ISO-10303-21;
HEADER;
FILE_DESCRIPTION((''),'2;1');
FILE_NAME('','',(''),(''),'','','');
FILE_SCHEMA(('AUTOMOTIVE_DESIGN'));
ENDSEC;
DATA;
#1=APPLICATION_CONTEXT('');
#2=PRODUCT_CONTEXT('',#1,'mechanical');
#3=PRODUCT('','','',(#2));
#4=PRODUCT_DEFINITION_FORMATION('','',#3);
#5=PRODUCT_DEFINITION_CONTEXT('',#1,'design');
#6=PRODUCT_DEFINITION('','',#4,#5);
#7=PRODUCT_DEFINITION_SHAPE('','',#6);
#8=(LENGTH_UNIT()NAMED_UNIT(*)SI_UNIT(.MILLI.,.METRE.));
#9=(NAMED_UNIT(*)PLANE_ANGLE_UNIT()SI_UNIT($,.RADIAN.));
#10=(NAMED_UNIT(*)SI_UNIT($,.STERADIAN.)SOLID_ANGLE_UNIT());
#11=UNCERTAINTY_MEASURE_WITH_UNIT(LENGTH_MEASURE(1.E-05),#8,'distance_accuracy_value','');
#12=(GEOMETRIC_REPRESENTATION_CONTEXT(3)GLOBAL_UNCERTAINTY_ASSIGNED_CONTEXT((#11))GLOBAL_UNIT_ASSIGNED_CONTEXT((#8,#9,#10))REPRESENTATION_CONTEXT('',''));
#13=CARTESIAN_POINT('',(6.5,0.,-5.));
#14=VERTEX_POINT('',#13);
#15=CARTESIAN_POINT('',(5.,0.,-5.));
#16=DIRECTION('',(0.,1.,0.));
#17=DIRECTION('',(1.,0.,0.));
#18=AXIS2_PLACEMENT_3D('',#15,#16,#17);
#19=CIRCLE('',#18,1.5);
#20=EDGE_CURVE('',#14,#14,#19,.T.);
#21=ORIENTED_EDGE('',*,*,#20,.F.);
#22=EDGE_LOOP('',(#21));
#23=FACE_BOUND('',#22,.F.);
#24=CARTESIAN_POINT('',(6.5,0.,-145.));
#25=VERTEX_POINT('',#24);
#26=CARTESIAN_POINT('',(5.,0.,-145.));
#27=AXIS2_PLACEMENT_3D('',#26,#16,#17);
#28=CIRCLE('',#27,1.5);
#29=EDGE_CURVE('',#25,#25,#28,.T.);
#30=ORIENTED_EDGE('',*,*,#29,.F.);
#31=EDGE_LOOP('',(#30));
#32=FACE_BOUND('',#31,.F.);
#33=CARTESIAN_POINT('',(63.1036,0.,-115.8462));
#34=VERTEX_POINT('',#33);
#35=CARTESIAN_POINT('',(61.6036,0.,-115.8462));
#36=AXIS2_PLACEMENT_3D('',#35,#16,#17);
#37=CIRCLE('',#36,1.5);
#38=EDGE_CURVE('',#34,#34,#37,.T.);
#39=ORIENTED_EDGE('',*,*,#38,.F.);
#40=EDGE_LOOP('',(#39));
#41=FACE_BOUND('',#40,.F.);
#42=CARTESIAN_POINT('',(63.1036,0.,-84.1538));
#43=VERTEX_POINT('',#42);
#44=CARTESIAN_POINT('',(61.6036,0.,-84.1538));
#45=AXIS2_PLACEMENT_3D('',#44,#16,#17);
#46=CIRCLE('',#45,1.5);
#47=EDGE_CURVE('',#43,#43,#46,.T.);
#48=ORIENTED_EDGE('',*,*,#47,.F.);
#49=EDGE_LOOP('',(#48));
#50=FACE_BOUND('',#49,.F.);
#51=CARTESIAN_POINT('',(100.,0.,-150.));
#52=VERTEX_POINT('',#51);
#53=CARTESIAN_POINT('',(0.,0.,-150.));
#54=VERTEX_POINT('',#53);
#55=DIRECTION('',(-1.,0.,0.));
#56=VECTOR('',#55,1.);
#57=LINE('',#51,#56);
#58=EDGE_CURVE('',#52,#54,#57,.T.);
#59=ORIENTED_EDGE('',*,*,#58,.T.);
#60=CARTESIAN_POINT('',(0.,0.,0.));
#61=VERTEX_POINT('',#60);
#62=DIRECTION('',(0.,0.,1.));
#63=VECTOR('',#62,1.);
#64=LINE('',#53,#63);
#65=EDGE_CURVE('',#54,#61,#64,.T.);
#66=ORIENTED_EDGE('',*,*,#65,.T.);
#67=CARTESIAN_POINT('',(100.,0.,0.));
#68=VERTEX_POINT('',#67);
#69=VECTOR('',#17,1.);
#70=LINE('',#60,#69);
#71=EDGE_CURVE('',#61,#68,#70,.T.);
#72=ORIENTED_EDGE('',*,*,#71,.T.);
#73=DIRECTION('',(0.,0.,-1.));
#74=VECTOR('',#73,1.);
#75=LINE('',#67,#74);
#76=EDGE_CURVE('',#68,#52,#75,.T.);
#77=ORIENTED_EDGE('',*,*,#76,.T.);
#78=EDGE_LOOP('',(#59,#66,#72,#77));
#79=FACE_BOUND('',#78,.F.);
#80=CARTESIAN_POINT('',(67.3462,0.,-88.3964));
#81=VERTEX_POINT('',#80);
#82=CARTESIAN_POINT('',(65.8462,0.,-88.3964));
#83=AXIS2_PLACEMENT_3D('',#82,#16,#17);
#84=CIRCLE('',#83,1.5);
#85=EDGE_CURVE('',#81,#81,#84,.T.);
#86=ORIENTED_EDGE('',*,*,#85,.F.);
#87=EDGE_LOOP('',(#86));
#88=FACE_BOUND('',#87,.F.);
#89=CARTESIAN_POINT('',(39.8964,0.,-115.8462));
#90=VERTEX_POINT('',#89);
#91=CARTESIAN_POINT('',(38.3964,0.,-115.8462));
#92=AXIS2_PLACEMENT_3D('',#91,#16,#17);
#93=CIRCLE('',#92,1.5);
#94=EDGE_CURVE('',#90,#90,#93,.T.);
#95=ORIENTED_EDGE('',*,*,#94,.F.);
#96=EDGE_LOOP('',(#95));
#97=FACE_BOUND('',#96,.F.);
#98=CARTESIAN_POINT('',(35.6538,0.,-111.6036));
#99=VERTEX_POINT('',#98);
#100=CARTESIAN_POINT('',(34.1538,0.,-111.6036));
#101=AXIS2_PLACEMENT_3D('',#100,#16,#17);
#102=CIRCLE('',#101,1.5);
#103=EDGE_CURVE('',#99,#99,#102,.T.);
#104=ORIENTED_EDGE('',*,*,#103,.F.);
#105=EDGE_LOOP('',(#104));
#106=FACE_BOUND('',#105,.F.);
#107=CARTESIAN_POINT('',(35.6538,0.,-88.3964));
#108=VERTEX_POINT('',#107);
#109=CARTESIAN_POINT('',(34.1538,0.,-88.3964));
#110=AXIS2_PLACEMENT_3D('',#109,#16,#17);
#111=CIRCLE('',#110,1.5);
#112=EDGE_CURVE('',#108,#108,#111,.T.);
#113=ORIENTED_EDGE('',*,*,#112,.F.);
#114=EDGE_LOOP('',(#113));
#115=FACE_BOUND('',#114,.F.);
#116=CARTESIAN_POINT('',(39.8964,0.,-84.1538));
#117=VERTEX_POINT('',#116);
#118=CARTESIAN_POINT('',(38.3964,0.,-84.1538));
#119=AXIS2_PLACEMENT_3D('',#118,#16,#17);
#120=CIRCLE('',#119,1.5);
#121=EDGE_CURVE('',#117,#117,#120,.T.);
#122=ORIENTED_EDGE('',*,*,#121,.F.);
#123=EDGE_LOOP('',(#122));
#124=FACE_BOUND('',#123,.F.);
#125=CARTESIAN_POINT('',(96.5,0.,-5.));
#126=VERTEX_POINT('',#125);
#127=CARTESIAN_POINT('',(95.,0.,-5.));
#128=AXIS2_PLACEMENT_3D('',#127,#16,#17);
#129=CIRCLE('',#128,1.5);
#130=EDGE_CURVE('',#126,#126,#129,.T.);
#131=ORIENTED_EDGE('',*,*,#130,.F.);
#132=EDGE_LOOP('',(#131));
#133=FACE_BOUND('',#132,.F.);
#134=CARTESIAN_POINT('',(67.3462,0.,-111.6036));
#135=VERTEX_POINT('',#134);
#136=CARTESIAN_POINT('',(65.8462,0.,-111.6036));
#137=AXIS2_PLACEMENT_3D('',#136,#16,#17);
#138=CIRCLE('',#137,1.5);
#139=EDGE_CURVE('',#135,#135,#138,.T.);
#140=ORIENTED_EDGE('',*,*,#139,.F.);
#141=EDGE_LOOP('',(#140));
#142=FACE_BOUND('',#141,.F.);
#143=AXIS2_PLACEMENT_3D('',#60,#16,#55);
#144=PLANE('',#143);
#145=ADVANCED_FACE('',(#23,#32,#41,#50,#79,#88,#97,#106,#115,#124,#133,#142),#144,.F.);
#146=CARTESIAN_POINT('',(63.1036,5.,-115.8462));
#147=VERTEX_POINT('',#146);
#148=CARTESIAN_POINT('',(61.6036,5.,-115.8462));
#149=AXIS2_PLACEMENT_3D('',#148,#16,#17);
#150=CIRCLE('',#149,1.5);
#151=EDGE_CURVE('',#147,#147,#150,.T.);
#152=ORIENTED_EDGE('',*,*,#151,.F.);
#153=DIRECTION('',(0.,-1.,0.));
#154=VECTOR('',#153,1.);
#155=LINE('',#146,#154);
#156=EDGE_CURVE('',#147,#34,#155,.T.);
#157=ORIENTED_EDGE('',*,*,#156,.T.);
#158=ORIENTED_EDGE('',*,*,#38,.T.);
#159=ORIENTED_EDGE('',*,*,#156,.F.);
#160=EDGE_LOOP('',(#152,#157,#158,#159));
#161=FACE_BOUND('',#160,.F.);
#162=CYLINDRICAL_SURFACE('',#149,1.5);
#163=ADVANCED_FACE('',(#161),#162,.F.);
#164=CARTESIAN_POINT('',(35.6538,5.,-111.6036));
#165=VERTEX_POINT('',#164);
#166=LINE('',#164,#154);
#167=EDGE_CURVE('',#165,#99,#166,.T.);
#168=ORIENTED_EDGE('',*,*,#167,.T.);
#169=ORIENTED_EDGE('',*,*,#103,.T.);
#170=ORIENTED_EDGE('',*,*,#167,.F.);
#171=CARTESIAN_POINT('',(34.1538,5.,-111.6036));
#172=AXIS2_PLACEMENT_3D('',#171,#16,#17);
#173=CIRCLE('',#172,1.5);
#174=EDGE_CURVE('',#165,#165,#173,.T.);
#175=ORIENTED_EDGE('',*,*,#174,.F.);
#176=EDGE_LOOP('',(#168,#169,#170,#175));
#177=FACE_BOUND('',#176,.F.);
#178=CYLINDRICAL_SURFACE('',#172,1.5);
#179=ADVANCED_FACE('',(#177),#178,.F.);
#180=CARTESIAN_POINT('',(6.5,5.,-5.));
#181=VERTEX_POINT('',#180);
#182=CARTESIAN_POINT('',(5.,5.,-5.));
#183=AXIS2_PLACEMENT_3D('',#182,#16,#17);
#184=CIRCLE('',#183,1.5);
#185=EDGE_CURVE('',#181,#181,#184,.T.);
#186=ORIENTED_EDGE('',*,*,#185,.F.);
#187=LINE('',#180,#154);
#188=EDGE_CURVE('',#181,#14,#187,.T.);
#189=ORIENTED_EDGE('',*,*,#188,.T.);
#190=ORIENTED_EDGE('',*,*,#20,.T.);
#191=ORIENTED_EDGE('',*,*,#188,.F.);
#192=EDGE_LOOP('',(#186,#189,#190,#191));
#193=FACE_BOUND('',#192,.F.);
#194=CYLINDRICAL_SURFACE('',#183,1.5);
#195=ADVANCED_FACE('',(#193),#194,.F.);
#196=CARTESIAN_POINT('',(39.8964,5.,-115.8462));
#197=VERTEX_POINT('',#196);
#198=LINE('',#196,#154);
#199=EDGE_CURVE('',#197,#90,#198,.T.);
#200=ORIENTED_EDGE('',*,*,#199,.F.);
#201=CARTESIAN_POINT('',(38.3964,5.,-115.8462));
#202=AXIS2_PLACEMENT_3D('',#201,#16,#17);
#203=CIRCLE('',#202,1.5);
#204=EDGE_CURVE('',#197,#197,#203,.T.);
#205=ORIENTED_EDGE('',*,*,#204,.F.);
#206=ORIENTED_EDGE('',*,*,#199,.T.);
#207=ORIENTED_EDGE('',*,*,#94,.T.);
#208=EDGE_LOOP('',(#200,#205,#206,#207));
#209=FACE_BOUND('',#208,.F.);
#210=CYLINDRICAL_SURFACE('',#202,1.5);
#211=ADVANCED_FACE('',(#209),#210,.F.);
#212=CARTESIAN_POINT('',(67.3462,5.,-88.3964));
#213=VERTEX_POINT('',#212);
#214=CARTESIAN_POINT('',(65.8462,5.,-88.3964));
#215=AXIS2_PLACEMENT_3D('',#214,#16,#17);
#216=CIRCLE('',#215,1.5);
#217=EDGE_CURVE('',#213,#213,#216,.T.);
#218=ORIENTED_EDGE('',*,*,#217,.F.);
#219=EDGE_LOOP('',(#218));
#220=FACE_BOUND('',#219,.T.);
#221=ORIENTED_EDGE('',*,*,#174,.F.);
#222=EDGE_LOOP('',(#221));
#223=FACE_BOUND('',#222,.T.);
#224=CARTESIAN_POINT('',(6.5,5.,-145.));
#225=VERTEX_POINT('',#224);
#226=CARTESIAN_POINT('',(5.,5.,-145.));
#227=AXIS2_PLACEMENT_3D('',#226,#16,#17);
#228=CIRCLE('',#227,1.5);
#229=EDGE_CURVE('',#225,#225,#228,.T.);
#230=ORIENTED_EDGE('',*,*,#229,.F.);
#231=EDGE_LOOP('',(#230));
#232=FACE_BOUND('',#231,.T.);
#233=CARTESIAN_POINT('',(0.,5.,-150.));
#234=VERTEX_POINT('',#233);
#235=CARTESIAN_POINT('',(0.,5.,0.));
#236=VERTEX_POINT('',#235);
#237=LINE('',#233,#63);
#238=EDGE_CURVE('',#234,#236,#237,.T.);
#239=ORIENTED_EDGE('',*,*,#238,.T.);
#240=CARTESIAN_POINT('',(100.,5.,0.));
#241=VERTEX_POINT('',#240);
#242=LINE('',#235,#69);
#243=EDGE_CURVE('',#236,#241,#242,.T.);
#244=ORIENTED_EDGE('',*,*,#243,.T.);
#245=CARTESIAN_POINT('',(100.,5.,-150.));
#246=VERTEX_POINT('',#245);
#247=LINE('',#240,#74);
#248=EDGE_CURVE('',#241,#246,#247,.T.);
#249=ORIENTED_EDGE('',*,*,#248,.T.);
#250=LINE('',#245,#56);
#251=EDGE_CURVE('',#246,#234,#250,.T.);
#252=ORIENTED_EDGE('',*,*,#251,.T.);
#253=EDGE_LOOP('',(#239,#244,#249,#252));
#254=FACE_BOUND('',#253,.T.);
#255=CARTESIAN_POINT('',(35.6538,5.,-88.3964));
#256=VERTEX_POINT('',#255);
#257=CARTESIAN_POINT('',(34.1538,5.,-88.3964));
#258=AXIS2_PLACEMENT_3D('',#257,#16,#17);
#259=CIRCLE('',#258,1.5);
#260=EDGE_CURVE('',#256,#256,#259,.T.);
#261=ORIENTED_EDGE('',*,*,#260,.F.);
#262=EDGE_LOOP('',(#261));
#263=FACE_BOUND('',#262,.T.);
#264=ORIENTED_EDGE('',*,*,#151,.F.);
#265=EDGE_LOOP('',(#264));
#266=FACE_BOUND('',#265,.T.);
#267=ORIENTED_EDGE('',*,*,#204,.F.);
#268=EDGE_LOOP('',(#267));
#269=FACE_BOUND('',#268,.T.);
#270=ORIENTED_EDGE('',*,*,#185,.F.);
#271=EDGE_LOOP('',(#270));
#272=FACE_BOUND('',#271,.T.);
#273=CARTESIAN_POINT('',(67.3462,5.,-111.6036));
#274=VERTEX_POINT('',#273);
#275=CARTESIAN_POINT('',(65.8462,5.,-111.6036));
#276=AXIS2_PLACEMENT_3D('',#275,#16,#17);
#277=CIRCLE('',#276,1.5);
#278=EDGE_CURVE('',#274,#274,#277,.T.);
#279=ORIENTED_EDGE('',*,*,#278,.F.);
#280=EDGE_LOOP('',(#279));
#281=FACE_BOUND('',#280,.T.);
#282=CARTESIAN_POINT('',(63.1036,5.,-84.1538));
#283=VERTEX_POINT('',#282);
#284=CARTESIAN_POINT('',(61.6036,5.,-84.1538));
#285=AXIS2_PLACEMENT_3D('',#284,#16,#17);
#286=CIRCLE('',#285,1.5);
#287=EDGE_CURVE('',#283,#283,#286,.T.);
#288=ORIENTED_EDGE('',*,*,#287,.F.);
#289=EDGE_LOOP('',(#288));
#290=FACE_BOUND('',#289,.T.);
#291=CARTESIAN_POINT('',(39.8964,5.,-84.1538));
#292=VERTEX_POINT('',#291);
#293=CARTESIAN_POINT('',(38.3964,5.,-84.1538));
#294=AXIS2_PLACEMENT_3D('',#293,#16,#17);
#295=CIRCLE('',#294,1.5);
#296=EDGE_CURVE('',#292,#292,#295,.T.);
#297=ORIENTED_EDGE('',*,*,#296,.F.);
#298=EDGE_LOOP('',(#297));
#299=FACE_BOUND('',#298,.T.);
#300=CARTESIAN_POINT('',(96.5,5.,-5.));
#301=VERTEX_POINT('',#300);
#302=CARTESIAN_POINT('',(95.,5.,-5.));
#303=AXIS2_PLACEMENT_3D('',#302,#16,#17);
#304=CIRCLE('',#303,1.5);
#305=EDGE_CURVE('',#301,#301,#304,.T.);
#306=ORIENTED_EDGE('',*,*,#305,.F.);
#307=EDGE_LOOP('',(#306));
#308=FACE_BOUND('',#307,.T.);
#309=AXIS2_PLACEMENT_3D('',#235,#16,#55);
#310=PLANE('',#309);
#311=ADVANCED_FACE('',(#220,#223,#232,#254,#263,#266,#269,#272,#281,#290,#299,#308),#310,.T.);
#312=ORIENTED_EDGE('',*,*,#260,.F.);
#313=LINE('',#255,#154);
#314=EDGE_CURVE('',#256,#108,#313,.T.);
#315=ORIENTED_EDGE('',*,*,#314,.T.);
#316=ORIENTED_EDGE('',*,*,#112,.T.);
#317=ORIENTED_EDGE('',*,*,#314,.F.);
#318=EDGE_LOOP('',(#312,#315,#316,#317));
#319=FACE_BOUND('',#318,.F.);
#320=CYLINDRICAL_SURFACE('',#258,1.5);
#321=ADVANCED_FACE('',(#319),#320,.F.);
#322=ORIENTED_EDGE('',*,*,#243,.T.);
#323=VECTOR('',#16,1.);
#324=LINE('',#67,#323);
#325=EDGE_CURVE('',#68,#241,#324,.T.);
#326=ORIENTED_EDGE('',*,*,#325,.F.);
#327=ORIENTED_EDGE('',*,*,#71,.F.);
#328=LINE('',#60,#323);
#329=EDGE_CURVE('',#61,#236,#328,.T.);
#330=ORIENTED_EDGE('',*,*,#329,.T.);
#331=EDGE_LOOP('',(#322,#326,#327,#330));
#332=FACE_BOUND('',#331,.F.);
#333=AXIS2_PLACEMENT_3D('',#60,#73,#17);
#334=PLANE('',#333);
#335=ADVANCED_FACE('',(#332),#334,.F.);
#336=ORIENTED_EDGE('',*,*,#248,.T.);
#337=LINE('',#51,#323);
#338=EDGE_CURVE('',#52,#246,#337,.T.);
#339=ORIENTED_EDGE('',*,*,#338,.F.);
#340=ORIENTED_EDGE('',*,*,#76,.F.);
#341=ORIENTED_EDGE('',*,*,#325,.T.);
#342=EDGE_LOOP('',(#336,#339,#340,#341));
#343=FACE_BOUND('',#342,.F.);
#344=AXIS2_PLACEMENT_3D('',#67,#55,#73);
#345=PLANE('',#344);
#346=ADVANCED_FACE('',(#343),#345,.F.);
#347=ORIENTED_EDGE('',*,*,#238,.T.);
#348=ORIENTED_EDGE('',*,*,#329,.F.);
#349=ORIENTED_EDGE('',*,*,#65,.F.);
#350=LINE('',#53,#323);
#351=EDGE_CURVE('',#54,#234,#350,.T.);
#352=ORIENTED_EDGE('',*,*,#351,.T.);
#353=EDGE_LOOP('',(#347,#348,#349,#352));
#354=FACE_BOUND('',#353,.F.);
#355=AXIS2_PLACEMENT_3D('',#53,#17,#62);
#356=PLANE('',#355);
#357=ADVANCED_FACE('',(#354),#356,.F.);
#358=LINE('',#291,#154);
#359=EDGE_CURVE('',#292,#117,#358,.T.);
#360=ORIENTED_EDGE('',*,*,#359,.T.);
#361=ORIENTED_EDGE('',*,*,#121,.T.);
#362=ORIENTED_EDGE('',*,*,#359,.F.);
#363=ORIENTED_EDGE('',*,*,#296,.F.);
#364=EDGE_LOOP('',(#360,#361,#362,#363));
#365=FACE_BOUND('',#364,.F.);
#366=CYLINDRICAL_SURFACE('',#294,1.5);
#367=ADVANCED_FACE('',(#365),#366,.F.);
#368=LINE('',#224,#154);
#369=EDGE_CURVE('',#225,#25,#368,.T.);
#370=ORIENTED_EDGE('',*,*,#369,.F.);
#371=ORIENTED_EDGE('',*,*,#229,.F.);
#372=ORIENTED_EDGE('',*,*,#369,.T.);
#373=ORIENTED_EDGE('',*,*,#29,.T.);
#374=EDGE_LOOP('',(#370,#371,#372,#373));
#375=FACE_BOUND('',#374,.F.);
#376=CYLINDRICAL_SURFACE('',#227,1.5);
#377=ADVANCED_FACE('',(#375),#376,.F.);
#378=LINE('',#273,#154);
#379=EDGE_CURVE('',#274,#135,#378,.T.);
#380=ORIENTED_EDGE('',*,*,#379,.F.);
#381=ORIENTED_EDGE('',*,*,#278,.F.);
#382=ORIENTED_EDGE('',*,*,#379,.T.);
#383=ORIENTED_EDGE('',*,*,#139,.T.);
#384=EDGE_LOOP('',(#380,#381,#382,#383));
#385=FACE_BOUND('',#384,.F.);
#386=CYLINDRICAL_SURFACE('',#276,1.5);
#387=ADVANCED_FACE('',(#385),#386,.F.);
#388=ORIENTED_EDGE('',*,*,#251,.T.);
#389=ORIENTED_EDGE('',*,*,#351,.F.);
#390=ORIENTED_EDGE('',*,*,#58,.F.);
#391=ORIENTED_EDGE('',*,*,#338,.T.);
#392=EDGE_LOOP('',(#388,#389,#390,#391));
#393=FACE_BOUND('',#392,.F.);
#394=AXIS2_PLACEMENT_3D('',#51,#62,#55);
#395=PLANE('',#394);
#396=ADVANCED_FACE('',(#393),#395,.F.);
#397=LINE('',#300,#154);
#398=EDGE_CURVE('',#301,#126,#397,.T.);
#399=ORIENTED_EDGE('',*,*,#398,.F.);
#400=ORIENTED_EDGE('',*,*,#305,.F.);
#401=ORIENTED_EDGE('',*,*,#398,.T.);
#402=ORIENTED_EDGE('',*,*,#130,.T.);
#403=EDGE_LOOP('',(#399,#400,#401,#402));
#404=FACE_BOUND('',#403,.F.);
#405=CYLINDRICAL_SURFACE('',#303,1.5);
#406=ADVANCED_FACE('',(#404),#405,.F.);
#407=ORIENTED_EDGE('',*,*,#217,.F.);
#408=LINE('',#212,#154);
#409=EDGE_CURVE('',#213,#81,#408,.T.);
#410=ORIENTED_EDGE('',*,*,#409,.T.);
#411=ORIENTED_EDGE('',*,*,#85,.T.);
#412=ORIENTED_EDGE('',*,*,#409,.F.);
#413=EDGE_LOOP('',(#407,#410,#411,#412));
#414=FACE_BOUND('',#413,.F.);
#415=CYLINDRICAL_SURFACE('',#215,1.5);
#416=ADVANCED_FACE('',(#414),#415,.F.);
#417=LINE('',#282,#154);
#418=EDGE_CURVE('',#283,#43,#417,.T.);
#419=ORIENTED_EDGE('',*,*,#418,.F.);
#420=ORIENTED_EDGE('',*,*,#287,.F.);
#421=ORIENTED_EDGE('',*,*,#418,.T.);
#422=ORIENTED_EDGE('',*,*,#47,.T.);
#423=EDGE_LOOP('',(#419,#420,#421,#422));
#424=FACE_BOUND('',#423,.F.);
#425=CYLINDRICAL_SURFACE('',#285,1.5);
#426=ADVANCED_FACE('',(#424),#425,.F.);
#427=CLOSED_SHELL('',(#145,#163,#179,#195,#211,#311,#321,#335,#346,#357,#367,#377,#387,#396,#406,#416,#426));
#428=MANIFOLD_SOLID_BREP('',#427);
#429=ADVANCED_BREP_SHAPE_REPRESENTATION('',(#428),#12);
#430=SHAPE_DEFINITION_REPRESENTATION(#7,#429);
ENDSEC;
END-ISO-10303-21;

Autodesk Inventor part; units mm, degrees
ref_plane "YZ Plane" through (0, 0, 0) normal (1, 0, 0) x (0, 1, 0)
ref_plane "XZ Plane" through (0, 0, 0) normal (0, 1, 0) x (-1, 0, 0)
ref_plane "XY Plane" through (0, 0, 0) normal (0, 0, 1) x (1, 0, 0)
sketch "Sketch1" plane through (0, 0, 0) normal (0, 1, 0) x (-1, 0, 0)
  line L0 (0, 0) -> (-100, 0)
  line L1 (-100, 0) -> (-100, -150)
  line L2 (-100, -150) -> (0, -150)
  line L3 (0, -150) -> (0, 0)
  dimension "d0" = 150
  dimension "d1" = 100
extrude "Extrusion1" add sketch "Sketch1" along normal blind 5
sketch "Sketch2" plane through (0, 5, 0) normal (0, 1, 0) x (1, 0, 0)
  circle A0 centre (65.8462, 111.6036) radius 1.5 projected
  circle A1 centre (61.6036, 115.8462) radius 1.5 projected
  circle A2 centre (38.3964, 115.8462) radius 1.5 projected
  circle A3 centre (34.1538, 111.6036) radius 1.5 projected
  circle A4 centre (34.1538, 88.3964) radius 1.5 projected
  circle A5 centre (38.3964, 84.1538) radius 1.5 projected
  circle A6 centre (61.6036, 84.1538) radius 1.5 projected
  circle A7 centre (65.8462, 88.3964) radius 1.5 projected
  point P0 (0, 0)
extrude "Extrusion2" cut sketch "Sketch2" against normal blind 5
sketch "Sketch3" plane through (0, 5, 0) normal (0, 1, 0) x (1, 0, 0)
  circle A0 centre (5, 145) radius 1.5 projected
  circle A1 centre (5, 5) radius 1.5 projected
  circle A2 centre (95, 5) radius 1.5 projected
  point P0 (0, 0)
extrude "Extrusion3" cut sketch "Sketch3" against normal blind 5
equation "\"d2\" = woodThickness"
equation "\"d4\" = woodThickness"
equation "\"d6\" = woodThickness"
equation "\"bladeLenghtFlexRatio\" = 0.05"
equation "\"bladeThickness\" = 1"
equation "\"woodThickness\" = 5"
equation "\"colRadius\" = 3"
equation "\"M3Hole\" = 3"
properties part number "FlexBlockWheelSupport"
